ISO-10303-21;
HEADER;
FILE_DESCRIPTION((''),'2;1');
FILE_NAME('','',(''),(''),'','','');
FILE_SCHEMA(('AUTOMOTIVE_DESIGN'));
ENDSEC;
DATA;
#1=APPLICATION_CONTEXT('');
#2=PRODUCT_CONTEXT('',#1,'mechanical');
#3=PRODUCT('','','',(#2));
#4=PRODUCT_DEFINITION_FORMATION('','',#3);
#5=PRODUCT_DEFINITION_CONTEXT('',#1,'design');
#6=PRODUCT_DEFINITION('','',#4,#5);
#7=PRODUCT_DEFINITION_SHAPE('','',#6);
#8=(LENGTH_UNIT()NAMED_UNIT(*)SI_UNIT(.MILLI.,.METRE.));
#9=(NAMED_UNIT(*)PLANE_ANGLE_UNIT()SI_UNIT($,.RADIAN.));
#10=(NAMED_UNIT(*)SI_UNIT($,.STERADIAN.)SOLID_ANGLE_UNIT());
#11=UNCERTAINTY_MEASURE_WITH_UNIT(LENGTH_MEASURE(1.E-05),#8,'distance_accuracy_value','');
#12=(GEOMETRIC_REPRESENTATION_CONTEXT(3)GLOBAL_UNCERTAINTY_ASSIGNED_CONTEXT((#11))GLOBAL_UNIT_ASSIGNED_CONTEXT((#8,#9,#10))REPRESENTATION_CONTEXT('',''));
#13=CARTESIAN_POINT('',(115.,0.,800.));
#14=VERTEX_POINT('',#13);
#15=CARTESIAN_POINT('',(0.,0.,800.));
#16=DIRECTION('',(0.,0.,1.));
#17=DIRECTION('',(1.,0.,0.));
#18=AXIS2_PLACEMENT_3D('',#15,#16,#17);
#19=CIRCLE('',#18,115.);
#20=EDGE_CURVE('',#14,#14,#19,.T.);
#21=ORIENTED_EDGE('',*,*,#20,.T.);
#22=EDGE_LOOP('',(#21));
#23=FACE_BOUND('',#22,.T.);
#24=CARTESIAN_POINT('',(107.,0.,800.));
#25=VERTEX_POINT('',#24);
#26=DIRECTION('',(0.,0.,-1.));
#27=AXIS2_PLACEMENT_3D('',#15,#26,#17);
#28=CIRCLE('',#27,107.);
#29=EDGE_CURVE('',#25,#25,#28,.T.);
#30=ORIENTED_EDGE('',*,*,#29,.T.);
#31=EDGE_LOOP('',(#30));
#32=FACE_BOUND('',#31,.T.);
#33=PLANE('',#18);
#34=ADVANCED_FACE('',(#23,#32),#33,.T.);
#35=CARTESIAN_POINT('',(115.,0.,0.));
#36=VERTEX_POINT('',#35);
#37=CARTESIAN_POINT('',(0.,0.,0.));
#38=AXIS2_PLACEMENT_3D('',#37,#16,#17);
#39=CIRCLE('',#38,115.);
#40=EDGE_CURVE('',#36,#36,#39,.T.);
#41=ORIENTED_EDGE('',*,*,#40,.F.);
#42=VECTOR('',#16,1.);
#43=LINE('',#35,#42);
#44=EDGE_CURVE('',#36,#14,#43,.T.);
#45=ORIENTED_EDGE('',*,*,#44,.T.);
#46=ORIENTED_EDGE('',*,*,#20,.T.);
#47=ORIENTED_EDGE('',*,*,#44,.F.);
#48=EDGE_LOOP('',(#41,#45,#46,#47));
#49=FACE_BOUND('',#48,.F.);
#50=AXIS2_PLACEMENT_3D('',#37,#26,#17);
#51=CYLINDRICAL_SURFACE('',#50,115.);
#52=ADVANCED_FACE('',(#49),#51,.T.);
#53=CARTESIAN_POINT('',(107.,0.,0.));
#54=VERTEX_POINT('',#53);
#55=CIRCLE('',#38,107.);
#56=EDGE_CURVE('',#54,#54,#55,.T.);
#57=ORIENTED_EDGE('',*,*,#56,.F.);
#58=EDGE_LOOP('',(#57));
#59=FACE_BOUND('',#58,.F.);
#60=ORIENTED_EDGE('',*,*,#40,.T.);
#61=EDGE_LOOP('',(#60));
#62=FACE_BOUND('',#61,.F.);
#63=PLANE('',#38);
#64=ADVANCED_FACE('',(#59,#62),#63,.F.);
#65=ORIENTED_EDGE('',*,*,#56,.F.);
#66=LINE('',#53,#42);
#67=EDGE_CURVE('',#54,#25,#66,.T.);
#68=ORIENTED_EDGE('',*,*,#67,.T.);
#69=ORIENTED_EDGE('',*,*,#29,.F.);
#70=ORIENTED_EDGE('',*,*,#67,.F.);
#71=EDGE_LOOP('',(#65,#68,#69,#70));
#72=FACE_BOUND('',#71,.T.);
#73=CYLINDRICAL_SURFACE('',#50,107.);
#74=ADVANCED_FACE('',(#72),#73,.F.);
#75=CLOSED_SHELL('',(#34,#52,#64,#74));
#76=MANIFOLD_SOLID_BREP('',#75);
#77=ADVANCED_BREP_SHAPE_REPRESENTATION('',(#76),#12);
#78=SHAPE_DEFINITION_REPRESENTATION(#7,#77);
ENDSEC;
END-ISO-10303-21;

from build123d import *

# Parameters (mm, degrees)
F0_R     = 115
F2_DEPTH = 800
F1_R     = 107
F3_DEPTH = 800.001


with BuildPart() as f2:
    # F0 (on Top) → F2 (new body)
    with BuildSketch(Plane.XY):
        Circle(F0_R)
    extrude(amount=F2_DEPTH)

    # F1 (on Top) → F3 (cut, through all)
    with BuildSketch(Plane.XY):
        Circle(F1_R)
    extrude(amount=F3_DEPTH, mode=Mode.SUBTRACT)


solid = f2.part
